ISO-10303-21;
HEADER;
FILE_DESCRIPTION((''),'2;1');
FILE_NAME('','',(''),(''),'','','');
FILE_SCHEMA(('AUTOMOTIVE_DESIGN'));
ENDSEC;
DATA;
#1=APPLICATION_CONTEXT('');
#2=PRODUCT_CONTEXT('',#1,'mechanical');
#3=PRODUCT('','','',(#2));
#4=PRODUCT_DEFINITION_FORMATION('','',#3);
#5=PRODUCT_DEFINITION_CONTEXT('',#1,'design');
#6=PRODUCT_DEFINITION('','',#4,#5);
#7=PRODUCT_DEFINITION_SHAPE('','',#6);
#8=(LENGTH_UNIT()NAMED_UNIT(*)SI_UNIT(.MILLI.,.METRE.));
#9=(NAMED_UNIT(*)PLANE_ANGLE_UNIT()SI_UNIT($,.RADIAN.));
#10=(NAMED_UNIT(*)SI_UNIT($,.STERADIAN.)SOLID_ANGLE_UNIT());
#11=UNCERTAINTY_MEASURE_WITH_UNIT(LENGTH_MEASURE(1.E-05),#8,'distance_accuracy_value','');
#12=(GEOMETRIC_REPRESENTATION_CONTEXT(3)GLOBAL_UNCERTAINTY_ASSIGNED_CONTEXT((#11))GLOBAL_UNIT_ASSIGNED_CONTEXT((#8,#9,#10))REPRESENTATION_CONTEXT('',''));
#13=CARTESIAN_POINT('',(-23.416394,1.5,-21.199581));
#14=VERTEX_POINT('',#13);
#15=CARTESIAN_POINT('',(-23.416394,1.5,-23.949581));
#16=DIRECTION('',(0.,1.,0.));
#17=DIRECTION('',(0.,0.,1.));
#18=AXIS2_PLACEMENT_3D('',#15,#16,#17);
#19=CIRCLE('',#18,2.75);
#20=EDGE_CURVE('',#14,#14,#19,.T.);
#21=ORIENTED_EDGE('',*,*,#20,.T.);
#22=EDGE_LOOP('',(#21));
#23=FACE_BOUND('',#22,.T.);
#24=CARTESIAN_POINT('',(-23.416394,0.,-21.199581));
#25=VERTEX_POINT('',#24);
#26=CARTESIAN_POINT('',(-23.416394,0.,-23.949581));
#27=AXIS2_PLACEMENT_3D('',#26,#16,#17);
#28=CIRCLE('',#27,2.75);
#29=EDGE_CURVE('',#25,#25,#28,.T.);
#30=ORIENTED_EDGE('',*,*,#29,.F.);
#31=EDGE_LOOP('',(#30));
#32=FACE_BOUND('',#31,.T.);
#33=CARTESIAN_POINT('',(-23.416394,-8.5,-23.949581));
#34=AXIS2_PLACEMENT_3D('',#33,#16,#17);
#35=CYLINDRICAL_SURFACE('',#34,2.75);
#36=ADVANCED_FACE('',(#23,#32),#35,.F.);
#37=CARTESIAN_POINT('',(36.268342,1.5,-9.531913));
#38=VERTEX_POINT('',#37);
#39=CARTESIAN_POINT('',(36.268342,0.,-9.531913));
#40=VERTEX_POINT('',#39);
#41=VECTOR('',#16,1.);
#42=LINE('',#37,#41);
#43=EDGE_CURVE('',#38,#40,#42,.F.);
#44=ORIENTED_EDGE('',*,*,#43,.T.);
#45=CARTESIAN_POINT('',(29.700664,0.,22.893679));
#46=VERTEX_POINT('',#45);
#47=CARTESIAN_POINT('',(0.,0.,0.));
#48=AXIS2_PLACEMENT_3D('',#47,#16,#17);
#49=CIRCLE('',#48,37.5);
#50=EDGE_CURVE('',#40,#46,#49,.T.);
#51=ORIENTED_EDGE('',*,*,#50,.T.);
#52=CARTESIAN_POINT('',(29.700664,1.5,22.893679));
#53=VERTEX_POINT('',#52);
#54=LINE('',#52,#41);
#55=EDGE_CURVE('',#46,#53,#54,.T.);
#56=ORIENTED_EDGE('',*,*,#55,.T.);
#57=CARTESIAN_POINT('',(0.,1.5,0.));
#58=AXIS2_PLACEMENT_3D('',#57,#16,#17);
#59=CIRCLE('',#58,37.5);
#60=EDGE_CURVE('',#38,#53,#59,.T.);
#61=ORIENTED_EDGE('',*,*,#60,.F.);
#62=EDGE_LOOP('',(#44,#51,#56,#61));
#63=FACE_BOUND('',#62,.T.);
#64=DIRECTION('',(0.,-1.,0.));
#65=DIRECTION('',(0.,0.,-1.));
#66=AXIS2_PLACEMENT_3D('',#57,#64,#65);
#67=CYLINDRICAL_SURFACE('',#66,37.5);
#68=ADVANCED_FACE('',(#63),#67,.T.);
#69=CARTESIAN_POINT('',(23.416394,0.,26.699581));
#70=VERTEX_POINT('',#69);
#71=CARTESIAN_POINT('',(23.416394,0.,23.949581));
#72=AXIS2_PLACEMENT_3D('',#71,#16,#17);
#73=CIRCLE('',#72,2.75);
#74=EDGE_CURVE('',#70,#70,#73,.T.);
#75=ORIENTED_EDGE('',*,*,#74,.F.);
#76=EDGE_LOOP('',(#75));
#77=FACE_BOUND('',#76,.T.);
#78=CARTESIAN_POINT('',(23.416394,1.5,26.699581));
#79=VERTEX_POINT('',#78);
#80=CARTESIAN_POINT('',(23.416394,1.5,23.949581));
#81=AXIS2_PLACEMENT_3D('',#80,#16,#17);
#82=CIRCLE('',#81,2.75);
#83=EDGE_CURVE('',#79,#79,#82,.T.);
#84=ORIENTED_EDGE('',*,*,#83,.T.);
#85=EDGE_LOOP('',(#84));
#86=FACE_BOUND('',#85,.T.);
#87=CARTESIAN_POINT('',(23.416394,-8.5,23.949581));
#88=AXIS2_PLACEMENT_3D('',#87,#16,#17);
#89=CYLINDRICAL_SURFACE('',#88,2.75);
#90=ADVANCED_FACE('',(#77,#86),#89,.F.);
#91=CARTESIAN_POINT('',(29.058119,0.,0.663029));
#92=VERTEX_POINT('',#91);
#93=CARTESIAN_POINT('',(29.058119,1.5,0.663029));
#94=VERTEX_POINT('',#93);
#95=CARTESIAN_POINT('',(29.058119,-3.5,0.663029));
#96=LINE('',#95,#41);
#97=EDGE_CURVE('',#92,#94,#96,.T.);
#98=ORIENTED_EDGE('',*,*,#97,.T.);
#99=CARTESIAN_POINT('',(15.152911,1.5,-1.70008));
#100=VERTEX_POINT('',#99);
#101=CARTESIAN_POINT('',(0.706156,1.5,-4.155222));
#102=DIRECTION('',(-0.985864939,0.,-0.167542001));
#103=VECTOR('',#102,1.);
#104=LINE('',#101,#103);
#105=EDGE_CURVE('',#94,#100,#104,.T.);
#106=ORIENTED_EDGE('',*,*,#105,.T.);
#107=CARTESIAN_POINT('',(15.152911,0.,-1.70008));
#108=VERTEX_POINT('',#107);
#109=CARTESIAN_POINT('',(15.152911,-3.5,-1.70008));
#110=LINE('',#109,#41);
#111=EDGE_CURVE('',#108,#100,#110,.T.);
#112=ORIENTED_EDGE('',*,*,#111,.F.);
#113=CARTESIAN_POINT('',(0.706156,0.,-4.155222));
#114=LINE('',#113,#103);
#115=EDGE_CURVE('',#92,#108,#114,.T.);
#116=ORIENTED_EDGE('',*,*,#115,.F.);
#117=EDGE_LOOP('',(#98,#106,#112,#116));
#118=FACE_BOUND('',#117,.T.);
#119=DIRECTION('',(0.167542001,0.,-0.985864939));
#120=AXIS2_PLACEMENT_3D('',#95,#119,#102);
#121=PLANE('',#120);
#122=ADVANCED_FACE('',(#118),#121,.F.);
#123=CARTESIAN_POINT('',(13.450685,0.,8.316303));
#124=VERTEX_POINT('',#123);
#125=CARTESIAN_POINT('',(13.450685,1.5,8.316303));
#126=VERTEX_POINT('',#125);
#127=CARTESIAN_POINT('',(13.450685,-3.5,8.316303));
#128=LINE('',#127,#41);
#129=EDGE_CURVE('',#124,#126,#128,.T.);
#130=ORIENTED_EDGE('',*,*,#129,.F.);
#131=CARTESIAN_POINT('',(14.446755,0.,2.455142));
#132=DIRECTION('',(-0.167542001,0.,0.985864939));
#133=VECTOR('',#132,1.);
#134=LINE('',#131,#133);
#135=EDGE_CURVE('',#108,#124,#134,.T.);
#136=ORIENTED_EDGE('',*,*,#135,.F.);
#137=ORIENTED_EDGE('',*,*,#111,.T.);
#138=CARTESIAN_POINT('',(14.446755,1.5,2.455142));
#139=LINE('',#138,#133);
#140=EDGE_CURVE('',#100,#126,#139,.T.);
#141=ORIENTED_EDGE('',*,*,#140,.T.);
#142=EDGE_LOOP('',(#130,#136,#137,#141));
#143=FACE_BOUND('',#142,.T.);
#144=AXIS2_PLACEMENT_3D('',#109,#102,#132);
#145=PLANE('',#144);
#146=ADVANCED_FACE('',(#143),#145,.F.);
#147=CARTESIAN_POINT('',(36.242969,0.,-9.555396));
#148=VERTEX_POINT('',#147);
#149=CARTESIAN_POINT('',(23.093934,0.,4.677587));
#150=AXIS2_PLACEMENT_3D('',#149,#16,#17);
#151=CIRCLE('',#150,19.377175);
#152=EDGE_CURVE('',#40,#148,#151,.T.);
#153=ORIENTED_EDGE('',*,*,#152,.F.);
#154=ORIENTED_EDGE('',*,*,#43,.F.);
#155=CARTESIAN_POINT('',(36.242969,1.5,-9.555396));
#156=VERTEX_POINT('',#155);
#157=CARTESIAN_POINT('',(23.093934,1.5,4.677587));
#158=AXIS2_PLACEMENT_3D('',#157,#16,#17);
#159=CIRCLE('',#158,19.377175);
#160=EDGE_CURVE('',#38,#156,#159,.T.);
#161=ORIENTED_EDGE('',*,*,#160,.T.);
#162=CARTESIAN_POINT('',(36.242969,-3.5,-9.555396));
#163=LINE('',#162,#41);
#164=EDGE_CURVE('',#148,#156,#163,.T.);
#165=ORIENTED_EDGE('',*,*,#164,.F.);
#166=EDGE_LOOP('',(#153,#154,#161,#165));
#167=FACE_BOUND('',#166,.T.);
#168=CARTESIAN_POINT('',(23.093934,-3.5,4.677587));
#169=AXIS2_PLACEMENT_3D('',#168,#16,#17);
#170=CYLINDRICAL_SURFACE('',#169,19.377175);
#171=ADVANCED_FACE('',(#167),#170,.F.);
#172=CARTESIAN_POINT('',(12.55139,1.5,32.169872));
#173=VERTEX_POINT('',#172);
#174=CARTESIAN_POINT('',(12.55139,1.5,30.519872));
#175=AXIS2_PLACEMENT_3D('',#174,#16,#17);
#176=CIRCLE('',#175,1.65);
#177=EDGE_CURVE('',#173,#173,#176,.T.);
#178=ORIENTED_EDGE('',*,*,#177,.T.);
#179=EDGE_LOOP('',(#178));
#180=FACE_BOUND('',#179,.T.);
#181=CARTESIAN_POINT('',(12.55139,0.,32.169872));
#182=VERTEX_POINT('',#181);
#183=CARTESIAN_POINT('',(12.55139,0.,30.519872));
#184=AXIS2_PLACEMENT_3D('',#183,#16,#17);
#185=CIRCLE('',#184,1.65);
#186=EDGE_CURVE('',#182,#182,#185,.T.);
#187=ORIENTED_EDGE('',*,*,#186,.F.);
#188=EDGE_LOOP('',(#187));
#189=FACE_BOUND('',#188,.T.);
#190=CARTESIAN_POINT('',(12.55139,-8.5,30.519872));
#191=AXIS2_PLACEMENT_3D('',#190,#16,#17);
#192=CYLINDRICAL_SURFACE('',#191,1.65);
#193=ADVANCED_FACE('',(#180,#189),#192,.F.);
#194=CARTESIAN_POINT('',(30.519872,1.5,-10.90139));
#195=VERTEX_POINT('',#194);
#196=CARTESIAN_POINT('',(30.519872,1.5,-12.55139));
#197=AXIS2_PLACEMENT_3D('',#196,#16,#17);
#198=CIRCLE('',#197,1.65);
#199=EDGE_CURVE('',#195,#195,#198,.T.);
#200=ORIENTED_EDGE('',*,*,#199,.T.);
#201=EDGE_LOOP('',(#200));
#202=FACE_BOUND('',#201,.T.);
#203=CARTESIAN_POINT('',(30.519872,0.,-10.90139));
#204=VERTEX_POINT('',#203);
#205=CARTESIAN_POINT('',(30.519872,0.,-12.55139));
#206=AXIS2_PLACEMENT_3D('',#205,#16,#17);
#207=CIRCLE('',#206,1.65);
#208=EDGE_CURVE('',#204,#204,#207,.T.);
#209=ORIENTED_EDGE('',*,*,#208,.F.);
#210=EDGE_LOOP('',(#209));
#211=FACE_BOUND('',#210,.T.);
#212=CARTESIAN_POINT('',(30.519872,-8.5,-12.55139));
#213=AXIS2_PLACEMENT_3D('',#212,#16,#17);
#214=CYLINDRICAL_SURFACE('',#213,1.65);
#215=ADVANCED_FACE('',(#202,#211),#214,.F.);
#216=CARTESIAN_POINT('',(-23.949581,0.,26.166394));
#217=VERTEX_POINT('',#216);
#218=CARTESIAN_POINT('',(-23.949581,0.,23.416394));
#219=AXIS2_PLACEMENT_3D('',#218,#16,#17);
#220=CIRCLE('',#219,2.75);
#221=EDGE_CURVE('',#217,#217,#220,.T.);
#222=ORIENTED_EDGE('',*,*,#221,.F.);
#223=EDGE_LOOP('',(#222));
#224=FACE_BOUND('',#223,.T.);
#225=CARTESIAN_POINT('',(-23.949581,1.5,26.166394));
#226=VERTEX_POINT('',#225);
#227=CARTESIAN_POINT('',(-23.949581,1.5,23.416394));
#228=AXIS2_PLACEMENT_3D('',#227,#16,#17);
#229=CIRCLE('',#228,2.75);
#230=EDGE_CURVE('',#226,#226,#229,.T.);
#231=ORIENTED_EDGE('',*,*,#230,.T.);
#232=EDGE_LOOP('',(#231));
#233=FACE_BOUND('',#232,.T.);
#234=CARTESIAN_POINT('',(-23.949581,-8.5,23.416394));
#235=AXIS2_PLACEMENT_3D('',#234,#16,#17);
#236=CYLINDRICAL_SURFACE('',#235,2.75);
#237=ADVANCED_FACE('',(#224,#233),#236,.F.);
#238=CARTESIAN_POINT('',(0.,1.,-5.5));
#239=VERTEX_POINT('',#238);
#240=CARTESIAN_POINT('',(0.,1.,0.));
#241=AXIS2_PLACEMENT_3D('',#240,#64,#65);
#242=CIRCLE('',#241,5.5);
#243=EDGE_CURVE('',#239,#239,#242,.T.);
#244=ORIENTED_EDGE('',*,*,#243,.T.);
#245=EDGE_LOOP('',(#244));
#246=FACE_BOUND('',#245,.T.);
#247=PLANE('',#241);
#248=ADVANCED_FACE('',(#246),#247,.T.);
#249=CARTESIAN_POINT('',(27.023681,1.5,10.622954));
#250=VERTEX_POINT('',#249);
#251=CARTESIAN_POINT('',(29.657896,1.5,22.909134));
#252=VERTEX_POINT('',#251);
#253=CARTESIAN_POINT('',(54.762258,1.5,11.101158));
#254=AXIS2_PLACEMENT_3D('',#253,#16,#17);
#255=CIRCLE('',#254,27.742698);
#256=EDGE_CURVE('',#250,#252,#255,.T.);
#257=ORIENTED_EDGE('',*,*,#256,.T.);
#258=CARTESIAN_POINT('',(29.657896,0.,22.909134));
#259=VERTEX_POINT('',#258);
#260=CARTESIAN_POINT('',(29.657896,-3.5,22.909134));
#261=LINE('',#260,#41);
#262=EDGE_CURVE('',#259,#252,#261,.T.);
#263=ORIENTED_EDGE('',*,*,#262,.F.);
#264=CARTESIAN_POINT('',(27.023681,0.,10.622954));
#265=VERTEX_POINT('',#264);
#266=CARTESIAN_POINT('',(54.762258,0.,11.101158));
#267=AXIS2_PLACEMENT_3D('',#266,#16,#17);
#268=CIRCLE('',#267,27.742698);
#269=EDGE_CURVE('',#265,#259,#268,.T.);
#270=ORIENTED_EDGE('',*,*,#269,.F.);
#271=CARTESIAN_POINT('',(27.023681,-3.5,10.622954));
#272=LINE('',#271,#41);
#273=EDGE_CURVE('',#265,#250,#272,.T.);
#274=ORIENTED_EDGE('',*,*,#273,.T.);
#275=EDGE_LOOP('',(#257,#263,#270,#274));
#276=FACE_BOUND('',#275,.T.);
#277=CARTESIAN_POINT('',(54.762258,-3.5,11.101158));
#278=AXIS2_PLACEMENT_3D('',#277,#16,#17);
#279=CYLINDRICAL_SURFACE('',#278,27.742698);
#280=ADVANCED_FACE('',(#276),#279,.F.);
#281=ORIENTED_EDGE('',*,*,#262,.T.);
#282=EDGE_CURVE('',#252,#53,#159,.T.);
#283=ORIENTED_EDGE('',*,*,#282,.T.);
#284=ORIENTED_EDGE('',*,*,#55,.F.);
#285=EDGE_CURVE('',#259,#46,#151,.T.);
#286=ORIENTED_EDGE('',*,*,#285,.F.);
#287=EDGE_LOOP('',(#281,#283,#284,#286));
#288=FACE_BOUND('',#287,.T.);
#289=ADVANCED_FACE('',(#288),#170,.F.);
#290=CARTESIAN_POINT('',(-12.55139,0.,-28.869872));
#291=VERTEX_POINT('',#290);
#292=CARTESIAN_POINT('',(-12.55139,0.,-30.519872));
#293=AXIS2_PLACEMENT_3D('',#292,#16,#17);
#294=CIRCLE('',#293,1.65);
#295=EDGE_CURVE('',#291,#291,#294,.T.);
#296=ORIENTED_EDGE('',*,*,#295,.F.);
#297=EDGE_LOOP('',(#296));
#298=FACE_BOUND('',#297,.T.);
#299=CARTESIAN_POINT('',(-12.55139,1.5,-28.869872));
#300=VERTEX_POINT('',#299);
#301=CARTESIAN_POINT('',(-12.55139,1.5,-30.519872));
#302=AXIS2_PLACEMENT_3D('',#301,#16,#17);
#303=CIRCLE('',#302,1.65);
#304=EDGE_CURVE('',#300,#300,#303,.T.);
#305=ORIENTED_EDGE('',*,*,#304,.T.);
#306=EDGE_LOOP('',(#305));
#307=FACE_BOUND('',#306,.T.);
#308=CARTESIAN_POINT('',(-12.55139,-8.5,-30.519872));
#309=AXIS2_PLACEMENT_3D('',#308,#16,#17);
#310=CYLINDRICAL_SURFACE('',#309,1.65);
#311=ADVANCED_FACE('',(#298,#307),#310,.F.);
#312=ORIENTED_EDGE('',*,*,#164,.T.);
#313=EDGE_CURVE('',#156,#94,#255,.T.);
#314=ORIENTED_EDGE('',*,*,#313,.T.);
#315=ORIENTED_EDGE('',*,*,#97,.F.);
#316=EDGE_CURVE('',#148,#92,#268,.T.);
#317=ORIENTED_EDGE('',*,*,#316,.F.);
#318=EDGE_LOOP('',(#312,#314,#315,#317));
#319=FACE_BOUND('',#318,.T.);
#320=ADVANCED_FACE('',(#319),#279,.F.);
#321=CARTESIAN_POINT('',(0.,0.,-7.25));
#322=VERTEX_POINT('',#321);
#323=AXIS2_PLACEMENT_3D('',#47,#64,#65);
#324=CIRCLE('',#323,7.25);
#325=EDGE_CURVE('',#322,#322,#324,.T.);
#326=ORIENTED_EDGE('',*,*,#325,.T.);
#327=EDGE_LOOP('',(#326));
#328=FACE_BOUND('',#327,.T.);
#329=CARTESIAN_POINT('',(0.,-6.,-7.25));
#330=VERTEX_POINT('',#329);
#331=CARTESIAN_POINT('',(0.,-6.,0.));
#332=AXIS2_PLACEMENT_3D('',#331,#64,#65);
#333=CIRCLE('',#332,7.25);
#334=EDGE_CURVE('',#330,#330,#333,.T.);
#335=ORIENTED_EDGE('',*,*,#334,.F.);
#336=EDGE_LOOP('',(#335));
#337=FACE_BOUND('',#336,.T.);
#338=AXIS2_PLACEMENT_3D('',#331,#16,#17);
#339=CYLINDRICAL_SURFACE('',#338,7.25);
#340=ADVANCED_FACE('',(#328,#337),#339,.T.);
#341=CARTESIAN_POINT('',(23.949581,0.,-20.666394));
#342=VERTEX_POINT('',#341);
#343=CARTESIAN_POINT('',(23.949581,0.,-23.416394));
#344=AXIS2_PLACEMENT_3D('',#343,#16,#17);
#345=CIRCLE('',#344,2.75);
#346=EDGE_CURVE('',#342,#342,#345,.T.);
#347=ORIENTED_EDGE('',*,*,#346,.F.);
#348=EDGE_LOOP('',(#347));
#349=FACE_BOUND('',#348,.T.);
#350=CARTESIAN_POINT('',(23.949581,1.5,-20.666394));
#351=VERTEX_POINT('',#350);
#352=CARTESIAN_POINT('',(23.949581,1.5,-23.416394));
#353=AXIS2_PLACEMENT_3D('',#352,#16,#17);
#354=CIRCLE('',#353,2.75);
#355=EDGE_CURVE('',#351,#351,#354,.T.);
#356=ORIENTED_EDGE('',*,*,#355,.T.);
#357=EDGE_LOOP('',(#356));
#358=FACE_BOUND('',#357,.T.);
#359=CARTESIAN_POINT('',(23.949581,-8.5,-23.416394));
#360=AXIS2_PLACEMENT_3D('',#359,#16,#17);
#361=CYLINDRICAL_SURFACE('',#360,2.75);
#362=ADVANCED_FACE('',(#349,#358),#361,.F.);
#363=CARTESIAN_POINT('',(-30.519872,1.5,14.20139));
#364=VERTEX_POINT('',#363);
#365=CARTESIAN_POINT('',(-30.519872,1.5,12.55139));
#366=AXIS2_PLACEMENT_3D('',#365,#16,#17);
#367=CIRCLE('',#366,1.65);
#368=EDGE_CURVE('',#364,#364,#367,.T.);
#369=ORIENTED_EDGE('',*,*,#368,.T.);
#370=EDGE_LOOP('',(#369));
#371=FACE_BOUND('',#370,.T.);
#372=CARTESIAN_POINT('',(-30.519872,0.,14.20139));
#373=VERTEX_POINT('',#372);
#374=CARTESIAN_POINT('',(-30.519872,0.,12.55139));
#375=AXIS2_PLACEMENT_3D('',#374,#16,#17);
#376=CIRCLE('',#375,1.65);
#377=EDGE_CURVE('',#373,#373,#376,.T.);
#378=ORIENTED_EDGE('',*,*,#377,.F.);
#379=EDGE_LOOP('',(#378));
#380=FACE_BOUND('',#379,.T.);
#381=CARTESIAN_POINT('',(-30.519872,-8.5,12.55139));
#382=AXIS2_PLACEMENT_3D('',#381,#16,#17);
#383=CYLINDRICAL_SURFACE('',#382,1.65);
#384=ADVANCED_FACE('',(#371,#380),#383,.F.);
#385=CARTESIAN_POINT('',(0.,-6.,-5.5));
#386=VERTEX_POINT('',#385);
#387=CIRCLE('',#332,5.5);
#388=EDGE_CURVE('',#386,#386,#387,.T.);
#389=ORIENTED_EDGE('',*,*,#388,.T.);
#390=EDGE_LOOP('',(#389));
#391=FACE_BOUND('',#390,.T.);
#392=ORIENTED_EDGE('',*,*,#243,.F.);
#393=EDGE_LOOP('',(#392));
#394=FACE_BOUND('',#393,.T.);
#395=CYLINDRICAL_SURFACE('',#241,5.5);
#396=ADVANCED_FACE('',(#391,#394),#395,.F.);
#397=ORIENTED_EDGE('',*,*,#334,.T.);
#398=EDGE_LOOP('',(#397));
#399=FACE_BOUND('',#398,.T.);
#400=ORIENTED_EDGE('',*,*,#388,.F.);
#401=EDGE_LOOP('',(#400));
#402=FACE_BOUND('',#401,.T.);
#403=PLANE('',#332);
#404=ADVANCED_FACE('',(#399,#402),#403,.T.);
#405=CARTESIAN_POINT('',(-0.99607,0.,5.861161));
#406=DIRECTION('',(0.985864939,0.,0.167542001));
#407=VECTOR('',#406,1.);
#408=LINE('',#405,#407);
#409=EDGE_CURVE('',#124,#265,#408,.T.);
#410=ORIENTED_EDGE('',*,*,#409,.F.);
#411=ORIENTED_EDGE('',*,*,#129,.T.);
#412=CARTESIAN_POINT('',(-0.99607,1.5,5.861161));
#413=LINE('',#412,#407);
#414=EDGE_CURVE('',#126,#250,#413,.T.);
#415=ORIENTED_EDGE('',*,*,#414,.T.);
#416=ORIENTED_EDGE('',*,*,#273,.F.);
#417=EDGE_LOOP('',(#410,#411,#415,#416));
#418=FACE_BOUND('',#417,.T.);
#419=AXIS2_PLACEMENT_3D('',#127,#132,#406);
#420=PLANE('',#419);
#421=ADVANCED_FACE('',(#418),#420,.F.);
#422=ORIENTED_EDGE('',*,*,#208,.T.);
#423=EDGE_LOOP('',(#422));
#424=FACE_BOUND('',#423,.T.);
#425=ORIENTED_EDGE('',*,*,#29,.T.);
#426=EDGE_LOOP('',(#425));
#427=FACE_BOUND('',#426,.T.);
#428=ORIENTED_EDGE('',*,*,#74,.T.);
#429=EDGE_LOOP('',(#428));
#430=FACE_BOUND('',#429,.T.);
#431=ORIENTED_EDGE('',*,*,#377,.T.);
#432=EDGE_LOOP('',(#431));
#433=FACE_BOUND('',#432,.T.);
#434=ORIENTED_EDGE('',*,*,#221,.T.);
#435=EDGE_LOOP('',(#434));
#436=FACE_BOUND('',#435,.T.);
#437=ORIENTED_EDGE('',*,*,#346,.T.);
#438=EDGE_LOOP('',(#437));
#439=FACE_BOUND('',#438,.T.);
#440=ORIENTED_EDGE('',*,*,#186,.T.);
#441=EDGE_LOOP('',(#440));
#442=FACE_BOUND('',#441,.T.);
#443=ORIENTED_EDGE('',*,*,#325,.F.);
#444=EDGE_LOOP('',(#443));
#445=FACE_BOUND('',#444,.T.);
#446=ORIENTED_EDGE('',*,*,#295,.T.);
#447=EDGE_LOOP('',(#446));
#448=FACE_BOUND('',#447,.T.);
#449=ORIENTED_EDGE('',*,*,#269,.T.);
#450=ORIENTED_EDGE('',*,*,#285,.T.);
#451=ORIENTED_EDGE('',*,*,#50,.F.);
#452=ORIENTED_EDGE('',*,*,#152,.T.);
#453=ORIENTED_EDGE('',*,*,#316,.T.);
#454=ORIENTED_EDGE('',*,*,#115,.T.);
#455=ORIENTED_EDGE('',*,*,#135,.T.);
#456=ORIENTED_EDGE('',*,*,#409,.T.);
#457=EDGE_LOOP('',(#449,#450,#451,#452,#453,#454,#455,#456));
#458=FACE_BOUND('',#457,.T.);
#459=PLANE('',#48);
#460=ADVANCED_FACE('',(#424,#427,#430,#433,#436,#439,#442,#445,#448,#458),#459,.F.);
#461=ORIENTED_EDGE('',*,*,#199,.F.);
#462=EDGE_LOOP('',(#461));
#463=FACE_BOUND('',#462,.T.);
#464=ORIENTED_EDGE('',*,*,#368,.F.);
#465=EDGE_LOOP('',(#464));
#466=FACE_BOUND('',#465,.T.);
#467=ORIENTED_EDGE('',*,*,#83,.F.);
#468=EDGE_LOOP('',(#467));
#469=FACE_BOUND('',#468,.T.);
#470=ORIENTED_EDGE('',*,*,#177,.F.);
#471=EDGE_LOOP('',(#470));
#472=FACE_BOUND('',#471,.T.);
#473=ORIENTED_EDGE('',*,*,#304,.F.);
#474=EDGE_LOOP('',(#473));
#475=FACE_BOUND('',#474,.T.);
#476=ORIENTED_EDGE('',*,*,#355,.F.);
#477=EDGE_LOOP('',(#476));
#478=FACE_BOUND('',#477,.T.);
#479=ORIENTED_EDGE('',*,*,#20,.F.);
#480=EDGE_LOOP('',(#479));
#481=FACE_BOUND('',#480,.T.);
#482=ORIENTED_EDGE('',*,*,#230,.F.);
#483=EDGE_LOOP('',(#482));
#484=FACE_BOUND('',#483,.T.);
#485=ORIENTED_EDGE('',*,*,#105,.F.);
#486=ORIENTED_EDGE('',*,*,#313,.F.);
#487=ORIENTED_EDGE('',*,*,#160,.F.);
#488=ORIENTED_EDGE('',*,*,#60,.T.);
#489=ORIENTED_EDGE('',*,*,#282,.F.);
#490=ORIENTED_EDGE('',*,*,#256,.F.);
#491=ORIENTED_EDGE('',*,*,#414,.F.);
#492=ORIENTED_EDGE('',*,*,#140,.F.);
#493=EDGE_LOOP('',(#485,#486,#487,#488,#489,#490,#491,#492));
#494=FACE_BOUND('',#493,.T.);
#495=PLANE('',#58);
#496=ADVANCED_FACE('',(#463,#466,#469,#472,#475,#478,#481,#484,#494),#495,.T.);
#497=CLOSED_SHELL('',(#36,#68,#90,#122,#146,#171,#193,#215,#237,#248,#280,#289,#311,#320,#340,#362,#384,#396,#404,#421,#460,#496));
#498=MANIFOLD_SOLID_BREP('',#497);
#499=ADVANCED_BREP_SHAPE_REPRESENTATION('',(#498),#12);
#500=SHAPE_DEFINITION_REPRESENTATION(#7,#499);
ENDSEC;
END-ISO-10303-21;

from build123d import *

# Parameters (mm, degrees)
SKETCH1_R           = 37.5
BOSS_EXTRUDE1_DEPTH = 1.5
SKETCH4_R           = 7.25
BOSS_EXTRUDE2_DEPTH = 6
SKETCH5_R           = 5.5
CUT_EXTRUDE2_DEPTH  = 7
SKETCH8_R           = 2.75
SKETCH8_R_2         = 1.65
CUT_EXTRUDE3_DEPTH  = 10
CUT_EXTRUDE5_DEPTH  = 5


with BuildPart() as part:
    # Sketch1 → Boss-Extrude1 (new body)
    with BuildSketch(Plane(origin=(0, 0, 0), x_dir=(1, 0, 0), z_dir=(0, 1, 0))):
        with Locations(Location((0, 0, 0), (0, 0, 270))):
            Circle(SKETCH1_R)
    extrude(amount=BOSS_EXTRUDE1_DEPTH)

    # Sketch4 → Boss-Extrude2 (add)
    with BuildSketch(Plane.XZ):
        with Locations(Location((0, 0, 0), (0, 0, 270))):
            Circle(SKETCH4_R)
    extrude(amount=BOSS_EXTRUDE2_DEPTH)

    # Sketch5 → Cut-Extrude2 (cut)
    with BuildSketch(Plane.XZ.offset(6)):
        with Locations(Location((0, 0, 0), (0, 0, 270))):
            Circle(SKETCH5_R)
    extrude(amount=-CUT_EXTRUDE2_DEPTH, mode=Mode.SUBTRACT)

    # Sketch8 → Cut-Extrude3 (cut)
    with BuildSketch(Plane(origin=(0, 1.5, 0), x_dir=(1, 0, 0), z_dir=(0, 1, 0))):
        with Locations(Location((-23.416394486, 23.949580961, 0), (0, 0, 270))):
            Circle(SKETCH8_R)
        with Locations(Location((23.949580961, 23.416394486, 0), (0, 0, 270))):
            Circle(SKETCH8_R)
        with Locations(Location((23.416394486, -23.949580961, 0), (0, 0, 270))):
            Circle(SKETCH8_R)
        with Locations(Location((-23.949580961, -23.416394486, 0), (0, 0, 270))):
            Circle(SKETCH8_R)
        with Locations(Location((-30.519872414, -12.551389877, 0), (0, 0, 270))):
            Circle(SKETCH8_R_2)
        with Locations(Location((-12.551389877, 30.519872414, 0), (0, 0, 270))):
            Circle(SKETCH8_R_2)
        with Locations(Location((30.519872414, 12.551389878, 0), (0, 0, 270))):
            Circle(SKETCH8_R_2)
        with Locations(Location((12.551389878, -30.519872414, 0), (0, 0, 270))):
            Circle(SKETCH8_R_2)
    extrude(amount=-CUT_EXTRUDE3_DEPTH, mode=Mode.SUBTRACT)

    # Sketch9 → Cut-Extrude5 (cut, symmetric)
    with BuildSketch(Plane(origin=(0, 1.5, 0), x_dir=(1, 0, 0), z_dir=(0, 1, 0))):
        with BuildLine():
            Line((15.152911059, 1.700080088), (13.450685177, -8.316302683))
            Line((13.450685177, -8.316302683), (27.023681414, -10.622954298))
            ThreePointArc((27.023681414, -10.622954298), (27.636041802, -16.917145139), (29.657895546, -22.909134042))
            ThreePointArc((29.657895546, -22.909134042), (42.084378473, -8.529589687), (36.242968745, 9.555395969))
            ThreePointArc((36.242968745, 9.555395969), (32.067942495, 4.855826196), (29.0581189, -0.663028953))
            Line((29.0581189, -0.663028953), (15.152911059, 1.700080088))
        make_face()
    extrude(amount=CUT_EXTRUDE5_DEPTH, both=True, mode=Mode.SUBTRACT)


solid = part.part
